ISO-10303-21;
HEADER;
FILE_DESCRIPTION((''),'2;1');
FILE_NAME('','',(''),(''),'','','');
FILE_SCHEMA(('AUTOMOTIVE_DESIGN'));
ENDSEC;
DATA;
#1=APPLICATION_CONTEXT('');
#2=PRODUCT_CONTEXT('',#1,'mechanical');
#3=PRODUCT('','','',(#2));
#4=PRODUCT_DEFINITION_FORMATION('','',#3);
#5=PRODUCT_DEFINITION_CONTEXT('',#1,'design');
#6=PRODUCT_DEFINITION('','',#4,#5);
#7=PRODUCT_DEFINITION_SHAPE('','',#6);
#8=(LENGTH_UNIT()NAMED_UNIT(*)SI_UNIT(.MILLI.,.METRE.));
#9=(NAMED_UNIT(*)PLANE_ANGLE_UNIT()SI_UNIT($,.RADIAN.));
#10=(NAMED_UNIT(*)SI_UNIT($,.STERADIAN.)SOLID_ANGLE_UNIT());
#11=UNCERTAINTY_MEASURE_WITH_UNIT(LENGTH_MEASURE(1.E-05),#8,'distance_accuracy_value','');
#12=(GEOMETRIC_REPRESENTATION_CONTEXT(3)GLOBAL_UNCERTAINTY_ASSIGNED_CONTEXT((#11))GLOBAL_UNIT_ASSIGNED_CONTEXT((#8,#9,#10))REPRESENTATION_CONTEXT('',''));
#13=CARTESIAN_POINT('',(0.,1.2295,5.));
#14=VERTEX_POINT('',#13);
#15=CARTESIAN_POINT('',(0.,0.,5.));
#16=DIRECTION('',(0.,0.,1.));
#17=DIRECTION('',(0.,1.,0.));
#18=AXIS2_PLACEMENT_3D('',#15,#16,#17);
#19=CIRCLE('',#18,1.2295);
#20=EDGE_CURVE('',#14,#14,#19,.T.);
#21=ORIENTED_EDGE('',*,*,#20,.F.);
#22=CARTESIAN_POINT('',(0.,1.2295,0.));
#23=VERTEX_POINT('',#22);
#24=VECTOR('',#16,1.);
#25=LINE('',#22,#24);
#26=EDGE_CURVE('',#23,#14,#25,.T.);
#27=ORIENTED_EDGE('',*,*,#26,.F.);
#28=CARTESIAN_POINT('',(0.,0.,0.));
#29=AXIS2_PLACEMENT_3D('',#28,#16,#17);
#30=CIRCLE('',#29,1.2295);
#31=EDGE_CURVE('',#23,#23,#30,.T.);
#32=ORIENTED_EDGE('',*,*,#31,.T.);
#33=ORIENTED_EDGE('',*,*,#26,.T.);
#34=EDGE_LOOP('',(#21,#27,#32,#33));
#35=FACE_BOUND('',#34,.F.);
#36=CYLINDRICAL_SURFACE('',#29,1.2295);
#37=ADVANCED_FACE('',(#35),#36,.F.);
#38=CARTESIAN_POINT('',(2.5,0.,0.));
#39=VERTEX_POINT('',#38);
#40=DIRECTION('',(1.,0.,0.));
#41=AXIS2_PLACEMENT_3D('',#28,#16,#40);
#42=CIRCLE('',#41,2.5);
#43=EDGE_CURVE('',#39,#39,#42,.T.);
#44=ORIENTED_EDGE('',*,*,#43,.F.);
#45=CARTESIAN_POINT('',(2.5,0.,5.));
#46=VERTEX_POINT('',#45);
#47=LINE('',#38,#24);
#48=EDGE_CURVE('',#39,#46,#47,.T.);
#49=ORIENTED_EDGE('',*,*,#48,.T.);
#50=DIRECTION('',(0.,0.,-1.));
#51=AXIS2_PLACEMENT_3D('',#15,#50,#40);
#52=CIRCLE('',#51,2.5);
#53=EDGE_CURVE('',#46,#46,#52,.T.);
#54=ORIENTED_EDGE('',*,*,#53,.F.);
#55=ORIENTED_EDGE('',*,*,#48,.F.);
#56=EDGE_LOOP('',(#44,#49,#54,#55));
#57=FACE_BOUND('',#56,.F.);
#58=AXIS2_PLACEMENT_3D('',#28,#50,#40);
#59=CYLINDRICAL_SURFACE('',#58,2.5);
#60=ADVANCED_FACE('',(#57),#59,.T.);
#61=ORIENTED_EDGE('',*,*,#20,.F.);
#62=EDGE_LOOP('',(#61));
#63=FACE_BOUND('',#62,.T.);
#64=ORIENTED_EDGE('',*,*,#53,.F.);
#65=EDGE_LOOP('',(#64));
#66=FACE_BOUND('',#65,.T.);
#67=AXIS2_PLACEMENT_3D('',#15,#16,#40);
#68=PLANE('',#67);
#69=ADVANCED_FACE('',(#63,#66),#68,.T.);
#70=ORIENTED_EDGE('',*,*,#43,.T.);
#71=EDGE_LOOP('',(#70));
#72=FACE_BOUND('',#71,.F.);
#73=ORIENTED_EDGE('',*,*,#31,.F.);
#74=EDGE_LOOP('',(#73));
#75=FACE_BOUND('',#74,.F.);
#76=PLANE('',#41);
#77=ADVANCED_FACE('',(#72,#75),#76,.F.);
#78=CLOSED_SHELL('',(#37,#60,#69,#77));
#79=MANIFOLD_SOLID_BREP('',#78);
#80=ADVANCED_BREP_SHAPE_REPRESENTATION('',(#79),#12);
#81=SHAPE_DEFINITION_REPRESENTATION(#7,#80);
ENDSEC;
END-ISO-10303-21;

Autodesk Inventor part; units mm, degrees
ref_plane "YZ Plane" through (0, 0, 0) normal (1, 0, 0) x (0, 1, 0)
ref_plane "XZ Plane" through (0, 0, 0) normal (0, 1, 0) x (-1, 0, 0)
ref_plane "XY Plane" through (0, 0, 0) normal (0, 0, 1) x (1, 0, 0)
sketch "Sketch1" plane through (0, 0, 0) normal (0, 0, 1) x (1, 0, 0)
  line L0 (-3.5, 0) -> (3.5, 0) projected
  line L1 (0, 3.5) -> (0, -3.5) projected
  circle A0 centre (0, 0) radius 2.5
  dimension "d0" = 5
extrude "Extrusion1" add sketch "Sketch1" along normal blind 5
sketch "Sketch2" plane through (0, 0, 0) normal (0, 0, 1) x (1, 0, 0)
  line L0 (-14, 0) -> (14, 0) projected
  line L1 (0, 14) -> (0, -14) projected
  point P0 (0, 0)
  point P1 (0, 0)
hole "Hole1" at (0, 0, 0) direction (0, 0, 1) diameter 2.459 end through all thread size "M3x0.5" class "6H" standard "ISO Metric profile"
properties part number "stand M3-L5"
